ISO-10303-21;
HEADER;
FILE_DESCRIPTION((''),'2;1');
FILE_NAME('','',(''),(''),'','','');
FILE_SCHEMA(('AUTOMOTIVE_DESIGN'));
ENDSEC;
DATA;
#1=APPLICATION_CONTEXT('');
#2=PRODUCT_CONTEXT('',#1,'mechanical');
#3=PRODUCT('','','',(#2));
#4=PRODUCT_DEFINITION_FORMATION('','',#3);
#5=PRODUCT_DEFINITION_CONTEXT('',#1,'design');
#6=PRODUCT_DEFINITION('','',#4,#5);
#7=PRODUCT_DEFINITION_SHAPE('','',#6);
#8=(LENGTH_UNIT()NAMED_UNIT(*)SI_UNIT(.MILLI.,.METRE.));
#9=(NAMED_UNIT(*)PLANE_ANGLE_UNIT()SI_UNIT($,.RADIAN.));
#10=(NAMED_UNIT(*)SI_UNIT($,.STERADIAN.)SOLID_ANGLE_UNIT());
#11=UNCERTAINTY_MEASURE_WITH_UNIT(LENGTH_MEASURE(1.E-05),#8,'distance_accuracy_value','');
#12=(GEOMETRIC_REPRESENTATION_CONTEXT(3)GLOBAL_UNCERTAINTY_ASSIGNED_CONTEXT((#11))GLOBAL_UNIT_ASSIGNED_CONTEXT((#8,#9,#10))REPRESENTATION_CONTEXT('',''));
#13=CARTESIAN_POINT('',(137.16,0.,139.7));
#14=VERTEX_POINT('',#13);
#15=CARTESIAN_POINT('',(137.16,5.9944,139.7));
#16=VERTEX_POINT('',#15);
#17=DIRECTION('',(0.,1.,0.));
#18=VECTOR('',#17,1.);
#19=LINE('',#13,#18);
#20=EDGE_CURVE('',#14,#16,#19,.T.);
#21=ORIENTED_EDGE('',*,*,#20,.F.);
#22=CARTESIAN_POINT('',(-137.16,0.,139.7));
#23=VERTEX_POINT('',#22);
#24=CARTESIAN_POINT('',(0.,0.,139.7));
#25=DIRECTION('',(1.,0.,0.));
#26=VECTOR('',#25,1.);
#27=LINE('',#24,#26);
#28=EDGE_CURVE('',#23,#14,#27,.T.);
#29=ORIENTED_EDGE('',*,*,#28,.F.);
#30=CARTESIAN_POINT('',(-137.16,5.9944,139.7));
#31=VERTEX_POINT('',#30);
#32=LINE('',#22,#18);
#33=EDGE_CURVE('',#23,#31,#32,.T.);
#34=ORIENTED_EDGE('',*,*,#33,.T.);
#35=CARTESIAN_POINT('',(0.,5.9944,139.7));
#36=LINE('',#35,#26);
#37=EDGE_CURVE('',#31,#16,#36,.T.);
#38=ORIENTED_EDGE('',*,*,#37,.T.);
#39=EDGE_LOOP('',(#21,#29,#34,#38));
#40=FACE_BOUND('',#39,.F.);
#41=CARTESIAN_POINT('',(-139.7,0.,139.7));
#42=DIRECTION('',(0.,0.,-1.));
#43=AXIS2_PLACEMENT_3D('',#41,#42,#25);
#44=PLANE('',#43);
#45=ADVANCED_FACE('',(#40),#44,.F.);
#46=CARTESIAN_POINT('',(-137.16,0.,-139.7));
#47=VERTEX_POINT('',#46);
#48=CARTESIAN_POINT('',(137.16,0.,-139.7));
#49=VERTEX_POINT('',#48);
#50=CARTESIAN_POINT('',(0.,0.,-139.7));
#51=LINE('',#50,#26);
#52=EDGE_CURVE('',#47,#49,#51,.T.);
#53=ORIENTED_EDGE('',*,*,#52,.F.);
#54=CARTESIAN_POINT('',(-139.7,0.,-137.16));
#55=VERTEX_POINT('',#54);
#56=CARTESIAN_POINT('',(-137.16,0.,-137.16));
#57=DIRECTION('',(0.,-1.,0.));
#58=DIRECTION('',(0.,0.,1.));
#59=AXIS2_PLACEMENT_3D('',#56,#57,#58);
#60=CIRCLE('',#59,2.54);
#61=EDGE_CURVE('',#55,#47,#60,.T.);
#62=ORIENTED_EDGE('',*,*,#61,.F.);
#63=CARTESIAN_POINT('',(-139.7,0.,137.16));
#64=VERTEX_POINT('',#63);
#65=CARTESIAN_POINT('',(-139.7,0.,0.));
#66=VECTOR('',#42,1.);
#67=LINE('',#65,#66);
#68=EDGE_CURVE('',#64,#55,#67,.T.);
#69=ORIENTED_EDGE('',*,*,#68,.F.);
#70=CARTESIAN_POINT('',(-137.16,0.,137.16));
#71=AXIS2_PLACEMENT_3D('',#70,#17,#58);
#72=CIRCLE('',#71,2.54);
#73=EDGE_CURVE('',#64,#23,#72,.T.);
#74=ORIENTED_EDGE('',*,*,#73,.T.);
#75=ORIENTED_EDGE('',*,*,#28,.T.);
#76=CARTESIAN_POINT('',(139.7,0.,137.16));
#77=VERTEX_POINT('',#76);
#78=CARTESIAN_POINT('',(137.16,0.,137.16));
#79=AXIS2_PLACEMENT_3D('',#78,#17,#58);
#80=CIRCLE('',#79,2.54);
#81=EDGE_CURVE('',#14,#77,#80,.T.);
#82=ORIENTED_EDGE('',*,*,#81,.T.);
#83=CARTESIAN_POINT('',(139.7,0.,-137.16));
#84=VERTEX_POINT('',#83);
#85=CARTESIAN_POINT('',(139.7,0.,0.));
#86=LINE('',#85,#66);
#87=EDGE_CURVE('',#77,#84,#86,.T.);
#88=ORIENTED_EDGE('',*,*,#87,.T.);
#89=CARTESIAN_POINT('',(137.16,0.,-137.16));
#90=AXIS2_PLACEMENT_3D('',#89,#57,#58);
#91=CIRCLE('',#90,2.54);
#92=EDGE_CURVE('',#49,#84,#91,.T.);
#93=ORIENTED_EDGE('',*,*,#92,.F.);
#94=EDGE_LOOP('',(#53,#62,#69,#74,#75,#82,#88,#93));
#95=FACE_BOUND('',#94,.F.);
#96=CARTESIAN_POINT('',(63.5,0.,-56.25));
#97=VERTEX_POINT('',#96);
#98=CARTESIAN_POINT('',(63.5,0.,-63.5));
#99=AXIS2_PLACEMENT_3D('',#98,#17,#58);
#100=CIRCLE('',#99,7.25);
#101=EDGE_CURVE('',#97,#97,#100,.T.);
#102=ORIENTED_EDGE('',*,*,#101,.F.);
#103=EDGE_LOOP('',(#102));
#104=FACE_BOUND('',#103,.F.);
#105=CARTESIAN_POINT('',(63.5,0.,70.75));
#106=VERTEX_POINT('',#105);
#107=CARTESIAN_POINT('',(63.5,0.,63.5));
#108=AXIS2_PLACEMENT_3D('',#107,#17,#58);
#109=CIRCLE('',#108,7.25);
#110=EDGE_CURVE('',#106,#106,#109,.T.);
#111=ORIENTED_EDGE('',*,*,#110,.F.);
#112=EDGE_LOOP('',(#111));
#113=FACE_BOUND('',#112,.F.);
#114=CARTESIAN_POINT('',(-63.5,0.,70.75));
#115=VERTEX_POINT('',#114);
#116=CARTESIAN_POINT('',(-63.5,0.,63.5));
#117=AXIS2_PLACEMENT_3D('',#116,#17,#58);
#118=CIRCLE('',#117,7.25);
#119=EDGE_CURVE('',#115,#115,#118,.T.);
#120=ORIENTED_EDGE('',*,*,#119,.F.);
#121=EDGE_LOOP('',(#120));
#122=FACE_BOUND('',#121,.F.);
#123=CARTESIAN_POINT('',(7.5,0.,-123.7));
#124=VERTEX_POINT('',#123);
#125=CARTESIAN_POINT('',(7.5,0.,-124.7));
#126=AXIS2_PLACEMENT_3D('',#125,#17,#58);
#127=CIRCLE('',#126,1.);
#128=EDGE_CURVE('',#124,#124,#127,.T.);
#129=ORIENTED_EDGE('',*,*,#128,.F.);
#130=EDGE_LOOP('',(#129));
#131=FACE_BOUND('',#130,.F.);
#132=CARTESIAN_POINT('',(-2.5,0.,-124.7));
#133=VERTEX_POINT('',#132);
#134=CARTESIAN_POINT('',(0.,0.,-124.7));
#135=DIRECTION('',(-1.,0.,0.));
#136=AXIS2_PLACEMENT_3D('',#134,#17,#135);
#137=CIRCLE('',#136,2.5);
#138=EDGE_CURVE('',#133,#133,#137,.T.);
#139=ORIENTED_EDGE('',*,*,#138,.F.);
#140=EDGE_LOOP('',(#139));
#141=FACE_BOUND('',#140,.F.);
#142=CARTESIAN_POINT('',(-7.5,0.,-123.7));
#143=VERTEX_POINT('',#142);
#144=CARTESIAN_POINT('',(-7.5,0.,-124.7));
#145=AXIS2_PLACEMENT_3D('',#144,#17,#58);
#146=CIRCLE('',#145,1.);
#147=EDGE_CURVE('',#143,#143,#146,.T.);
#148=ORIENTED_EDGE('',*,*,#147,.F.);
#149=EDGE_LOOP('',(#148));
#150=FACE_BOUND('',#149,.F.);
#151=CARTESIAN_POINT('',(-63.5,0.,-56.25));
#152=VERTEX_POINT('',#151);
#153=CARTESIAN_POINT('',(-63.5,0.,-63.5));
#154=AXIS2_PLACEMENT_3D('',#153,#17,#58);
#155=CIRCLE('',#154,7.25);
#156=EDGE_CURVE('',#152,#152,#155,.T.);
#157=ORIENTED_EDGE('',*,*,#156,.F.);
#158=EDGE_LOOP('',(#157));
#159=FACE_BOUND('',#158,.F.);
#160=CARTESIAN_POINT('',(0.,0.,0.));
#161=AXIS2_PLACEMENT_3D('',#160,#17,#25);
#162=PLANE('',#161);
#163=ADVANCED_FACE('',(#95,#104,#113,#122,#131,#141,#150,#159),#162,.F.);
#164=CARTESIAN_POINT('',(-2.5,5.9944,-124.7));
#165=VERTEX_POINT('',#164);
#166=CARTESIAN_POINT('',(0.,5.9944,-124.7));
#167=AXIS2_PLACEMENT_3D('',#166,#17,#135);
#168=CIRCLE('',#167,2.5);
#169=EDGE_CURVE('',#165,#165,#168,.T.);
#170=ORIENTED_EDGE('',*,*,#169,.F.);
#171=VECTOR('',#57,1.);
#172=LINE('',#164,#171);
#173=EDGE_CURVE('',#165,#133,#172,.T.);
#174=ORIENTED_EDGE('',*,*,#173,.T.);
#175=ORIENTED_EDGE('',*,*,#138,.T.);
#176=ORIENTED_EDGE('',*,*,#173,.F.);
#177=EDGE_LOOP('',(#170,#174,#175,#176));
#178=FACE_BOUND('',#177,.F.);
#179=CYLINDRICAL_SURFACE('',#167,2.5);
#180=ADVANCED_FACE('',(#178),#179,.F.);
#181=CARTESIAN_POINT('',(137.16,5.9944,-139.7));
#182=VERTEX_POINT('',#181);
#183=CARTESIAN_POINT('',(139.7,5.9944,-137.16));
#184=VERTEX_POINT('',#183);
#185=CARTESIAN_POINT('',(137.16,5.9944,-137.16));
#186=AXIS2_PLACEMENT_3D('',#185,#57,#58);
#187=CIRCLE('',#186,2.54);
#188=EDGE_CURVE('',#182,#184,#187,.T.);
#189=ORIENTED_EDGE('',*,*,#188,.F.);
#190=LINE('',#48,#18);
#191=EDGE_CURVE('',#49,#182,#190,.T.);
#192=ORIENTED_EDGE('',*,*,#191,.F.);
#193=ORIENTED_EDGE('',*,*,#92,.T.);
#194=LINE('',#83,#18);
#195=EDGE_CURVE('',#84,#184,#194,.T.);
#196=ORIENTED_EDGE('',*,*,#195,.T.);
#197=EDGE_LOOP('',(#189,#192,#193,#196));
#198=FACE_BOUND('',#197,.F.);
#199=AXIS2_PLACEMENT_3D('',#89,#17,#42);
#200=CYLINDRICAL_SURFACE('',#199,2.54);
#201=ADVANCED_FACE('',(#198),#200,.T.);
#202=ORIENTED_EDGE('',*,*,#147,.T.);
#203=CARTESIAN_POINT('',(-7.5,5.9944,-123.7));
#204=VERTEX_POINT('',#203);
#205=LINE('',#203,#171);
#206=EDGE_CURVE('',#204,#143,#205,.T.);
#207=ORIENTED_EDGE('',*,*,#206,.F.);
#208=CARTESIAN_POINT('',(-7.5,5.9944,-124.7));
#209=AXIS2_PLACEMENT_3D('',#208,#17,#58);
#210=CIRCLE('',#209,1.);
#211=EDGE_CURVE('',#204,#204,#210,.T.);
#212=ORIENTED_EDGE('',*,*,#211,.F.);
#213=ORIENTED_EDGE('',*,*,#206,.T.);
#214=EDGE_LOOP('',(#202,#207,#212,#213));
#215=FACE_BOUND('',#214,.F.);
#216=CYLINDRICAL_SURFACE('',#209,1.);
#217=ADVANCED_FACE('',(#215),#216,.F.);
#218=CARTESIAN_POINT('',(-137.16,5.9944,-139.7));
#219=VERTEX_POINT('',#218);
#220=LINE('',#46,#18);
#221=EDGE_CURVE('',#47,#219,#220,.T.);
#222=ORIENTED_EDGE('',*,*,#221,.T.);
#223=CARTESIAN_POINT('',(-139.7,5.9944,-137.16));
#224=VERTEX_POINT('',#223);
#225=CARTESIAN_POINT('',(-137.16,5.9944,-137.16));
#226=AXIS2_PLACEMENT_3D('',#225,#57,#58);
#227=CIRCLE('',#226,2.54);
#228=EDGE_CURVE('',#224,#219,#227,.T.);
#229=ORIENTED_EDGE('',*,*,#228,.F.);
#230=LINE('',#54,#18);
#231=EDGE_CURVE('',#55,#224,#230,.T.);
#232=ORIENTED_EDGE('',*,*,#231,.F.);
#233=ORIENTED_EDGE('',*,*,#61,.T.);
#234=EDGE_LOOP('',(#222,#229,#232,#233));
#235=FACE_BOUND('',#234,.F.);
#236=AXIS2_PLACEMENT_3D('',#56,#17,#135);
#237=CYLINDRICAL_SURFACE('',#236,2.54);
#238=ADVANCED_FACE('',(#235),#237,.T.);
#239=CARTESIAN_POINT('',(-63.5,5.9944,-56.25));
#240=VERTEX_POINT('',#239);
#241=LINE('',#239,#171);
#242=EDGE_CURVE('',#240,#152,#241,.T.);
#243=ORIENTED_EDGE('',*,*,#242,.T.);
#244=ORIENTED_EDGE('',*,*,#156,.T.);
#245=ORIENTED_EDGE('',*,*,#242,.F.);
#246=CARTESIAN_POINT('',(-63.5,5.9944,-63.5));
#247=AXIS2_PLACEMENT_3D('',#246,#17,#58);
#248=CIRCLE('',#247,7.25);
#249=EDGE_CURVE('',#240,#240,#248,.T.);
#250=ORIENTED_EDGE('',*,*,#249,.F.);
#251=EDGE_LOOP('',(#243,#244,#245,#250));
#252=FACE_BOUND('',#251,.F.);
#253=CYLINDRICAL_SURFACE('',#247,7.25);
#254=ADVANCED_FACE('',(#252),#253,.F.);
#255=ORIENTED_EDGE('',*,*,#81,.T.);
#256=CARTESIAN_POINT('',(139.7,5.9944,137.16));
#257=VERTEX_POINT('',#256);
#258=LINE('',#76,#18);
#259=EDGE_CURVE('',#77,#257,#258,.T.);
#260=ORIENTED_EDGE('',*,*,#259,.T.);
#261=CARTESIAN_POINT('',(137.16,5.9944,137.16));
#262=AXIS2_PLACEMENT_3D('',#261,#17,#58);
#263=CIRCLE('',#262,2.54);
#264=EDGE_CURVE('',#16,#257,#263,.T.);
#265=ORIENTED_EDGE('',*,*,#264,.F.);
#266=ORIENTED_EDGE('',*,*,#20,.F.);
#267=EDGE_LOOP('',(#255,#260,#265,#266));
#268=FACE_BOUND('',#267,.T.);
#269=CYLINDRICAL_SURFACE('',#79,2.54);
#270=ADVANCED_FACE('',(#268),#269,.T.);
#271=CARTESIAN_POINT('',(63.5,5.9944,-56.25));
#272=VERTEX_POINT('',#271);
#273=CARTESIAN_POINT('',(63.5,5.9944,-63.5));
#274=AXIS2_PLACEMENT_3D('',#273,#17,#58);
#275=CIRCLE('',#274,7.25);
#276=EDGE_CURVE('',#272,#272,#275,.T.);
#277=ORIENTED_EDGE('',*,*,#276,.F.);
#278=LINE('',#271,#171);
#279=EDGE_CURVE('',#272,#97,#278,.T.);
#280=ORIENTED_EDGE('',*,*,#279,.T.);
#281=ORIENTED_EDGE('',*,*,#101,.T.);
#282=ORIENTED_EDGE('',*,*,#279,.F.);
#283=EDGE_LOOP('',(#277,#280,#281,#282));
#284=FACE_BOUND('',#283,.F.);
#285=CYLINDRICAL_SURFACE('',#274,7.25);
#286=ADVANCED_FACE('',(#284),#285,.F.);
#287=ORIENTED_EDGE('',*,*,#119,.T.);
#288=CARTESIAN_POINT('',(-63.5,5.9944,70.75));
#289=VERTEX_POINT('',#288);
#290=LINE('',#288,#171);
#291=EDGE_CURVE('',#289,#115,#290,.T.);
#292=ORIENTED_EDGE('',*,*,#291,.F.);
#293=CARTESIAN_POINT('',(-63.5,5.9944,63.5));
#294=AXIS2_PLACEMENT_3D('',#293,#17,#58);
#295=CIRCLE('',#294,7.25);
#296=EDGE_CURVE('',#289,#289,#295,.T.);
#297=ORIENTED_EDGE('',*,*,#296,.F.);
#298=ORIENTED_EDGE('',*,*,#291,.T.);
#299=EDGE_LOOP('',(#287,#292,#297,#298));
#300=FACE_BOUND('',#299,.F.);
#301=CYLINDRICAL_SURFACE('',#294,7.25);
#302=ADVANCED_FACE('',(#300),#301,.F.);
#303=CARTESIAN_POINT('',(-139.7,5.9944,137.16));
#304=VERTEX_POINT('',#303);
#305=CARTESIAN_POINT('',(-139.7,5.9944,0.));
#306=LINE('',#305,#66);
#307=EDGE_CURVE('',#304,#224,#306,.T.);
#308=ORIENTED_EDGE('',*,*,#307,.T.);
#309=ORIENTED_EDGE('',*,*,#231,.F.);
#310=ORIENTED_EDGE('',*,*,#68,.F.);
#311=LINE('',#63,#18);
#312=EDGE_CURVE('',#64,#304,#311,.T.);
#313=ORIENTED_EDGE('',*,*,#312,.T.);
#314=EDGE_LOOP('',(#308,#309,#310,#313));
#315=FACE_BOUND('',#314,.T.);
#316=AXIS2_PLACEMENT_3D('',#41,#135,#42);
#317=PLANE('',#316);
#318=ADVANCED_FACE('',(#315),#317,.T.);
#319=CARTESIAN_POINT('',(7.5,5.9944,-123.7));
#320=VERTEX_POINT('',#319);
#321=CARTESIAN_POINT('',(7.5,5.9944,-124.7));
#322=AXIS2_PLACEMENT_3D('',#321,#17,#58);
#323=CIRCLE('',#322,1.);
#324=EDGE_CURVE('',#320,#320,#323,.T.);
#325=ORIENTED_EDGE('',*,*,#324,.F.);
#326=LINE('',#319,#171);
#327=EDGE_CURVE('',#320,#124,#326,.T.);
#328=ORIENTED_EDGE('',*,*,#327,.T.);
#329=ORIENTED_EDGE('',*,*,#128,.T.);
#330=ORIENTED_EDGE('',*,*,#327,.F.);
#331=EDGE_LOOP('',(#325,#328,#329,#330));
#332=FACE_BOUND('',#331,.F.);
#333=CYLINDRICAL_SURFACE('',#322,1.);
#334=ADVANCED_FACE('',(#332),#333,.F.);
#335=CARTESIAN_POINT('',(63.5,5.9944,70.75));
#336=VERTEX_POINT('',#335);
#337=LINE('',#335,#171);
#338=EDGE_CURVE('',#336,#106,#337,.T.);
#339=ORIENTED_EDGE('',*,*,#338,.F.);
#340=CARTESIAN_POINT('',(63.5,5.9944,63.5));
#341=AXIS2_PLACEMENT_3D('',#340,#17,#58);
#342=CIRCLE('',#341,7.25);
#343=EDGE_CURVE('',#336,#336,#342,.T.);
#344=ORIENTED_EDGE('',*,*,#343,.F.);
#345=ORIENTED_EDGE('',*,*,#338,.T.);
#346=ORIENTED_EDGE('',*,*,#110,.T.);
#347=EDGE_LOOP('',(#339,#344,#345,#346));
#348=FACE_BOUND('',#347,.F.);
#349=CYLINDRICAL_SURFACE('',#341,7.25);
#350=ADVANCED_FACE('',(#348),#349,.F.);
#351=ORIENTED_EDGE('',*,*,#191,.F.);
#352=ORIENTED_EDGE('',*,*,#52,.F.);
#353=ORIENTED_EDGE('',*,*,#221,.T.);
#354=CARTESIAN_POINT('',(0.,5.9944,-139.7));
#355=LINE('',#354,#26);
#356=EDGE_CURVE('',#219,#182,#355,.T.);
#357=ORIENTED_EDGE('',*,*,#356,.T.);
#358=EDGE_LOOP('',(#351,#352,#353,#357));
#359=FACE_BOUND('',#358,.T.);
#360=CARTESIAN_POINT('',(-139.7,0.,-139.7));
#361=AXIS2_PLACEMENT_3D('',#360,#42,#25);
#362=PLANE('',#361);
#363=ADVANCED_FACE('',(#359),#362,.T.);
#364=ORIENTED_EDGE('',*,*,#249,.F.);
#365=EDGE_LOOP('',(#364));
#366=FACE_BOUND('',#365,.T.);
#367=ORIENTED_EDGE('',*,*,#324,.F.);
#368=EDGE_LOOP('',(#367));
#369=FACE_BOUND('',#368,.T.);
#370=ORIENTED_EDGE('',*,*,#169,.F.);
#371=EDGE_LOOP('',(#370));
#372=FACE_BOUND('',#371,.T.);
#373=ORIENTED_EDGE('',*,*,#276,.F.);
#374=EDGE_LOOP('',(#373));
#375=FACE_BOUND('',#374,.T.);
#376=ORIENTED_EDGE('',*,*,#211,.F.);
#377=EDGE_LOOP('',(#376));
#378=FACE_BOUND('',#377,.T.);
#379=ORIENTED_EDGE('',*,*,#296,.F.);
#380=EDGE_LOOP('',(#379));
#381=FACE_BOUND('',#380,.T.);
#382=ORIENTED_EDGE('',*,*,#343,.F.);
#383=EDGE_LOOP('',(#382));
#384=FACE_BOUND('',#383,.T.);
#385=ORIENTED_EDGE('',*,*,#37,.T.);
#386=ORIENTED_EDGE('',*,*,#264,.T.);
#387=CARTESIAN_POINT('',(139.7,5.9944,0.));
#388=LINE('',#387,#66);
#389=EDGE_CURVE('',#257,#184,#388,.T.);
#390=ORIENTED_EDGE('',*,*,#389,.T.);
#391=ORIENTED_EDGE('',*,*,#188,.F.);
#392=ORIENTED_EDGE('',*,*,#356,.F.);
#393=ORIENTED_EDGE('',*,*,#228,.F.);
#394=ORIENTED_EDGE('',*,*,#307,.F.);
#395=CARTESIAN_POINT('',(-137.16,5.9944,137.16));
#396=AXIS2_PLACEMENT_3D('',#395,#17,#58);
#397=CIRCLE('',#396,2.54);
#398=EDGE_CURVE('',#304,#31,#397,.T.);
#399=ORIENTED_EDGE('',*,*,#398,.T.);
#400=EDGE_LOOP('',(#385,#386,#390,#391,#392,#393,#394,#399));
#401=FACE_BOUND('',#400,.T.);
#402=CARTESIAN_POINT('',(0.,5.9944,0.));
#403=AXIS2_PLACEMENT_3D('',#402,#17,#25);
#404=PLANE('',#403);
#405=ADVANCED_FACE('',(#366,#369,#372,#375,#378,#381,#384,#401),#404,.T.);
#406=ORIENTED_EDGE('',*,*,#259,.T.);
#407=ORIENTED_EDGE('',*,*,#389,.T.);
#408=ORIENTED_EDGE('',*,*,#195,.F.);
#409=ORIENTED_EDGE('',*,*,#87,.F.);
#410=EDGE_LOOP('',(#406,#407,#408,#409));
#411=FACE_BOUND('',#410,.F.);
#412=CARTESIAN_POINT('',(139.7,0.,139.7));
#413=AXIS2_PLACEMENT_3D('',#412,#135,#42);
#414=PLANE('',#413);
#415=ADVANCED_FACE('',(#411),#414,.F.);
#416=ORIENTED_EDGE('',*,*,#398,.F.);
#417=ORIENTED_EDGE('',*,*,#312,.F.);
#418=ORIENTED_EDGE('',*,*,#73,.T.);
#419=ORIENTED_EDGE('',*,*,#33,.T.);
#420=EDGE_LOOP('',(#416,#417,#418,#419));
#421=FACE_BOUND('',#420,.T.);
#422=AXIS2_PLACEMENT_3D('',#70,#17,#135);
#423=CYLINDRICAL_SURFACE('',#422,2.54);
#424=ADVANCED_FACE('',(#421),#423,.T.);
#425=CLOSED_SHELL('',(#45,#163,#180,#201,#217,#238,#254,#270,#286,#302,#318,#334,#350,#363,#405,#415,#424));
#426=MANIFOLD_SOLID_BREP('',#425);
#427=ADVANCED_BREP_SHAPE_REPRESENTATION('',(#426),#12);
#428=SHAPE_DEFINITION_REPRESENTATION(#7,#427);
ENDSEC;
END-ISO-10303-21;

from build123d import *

# Parameters (mm, degrees)
SKETCH1_W           = 279.4
SKETCH1_H           = 279.4
BOSS_EXTRUDE1_DEPTH = 5.9944
SKETCH2_R           = 7.25
CUT_EXTRUDE1_DEPTH  = 198.656552715
FILLET1_R           = 2.54
SKETCH3_R           = 1
CUT_EXTRUDE2_DEPTH  = 198.656552715


with BuildPart() as part:
    # Sketch1 → Boss-Extrude1 (new body)
    with BuildSketch(Plane(origin=(0, 0, 0), x_dir=(1, 0, 0), z_dir=(0, 1, 0))):
        Rectangle(SKETCH1_W, SKETCH1_H)
    extrude(amount=BOSS_EXTRUDE1_DEPTH)

    # Sketch2 → Cut-Extrude1 (cut, through all)
    with BuildSketch(Plane(origin=(0, 5.9944, 0), x_dir=(1, 0, 0), z_dir=(0, 1, 0))):
        with Locations(Location((-63.5, 63.5, 0), (0, 0, 270))):
            Circle(SKETCH2_R)
        with Locations(Location((63.5, 63.5, 0), (0, 0, 270))):
            Circle(SKETCH2_R)
        with Locations(Location((63.5, -63.5, 0), (0, 0, 270))):
            Circle(SKETCH2_R)
        with Locations(Location((-63.5, -63.5, 0), (0, 0, 270))):
            Circle(SKETCH2_R)
    extrude(amount=-CUT_EXTRUDE1_DEPTH, mode=Mode.SUBTRACT)

    # Fillet1
    fillet1_edges = [part.edges().sort_by_distance(p)[0] for p in [
        (139.7, 2.9972, 139.7),
        (-139.7, 2.9972, 139.7),
        (-139.7, 2.9972, -139.7),
        (139.7, 2.9972, -139.7),
    ]]
    fillet(fillet1_edges, radius=FILLET1_R)

    # Sketch3 → Cut-Extrude2 (cut, through all)
    with BuildSketch(Plane(origin=(0, 5.9944, 0), x_dir=(1, 0, 0), z_dir=(0, 1, 0))):
        with BuildLine():
            ThreePointArc((2.5, 124.7), (0, 127.2), (-2.5, 124.7))
            Line((-2.5, 124.7), (2.5, 124.7))
        make_face()
        with BuildLine():
            Line((2.5, 124.7), (-2.5, 124.7))
            ThreePointArc((-2.5, 124.7), (0, 122.2), (2.5, 124.7))
        make_face()
        with Locations(Location((7.5, 124.7, 0), (0, 0, 270))):
            Circle(SKETCH3_R)
        with Locations(Location((-7.5, 124.7, 0), (0, 0, 270))):
            Circle(SKETCH3_R)
    extrude(amount=-CUT_EXTRUDE2_DEPTH, mode=Mode.SUBTRACT)


solid = part.part
